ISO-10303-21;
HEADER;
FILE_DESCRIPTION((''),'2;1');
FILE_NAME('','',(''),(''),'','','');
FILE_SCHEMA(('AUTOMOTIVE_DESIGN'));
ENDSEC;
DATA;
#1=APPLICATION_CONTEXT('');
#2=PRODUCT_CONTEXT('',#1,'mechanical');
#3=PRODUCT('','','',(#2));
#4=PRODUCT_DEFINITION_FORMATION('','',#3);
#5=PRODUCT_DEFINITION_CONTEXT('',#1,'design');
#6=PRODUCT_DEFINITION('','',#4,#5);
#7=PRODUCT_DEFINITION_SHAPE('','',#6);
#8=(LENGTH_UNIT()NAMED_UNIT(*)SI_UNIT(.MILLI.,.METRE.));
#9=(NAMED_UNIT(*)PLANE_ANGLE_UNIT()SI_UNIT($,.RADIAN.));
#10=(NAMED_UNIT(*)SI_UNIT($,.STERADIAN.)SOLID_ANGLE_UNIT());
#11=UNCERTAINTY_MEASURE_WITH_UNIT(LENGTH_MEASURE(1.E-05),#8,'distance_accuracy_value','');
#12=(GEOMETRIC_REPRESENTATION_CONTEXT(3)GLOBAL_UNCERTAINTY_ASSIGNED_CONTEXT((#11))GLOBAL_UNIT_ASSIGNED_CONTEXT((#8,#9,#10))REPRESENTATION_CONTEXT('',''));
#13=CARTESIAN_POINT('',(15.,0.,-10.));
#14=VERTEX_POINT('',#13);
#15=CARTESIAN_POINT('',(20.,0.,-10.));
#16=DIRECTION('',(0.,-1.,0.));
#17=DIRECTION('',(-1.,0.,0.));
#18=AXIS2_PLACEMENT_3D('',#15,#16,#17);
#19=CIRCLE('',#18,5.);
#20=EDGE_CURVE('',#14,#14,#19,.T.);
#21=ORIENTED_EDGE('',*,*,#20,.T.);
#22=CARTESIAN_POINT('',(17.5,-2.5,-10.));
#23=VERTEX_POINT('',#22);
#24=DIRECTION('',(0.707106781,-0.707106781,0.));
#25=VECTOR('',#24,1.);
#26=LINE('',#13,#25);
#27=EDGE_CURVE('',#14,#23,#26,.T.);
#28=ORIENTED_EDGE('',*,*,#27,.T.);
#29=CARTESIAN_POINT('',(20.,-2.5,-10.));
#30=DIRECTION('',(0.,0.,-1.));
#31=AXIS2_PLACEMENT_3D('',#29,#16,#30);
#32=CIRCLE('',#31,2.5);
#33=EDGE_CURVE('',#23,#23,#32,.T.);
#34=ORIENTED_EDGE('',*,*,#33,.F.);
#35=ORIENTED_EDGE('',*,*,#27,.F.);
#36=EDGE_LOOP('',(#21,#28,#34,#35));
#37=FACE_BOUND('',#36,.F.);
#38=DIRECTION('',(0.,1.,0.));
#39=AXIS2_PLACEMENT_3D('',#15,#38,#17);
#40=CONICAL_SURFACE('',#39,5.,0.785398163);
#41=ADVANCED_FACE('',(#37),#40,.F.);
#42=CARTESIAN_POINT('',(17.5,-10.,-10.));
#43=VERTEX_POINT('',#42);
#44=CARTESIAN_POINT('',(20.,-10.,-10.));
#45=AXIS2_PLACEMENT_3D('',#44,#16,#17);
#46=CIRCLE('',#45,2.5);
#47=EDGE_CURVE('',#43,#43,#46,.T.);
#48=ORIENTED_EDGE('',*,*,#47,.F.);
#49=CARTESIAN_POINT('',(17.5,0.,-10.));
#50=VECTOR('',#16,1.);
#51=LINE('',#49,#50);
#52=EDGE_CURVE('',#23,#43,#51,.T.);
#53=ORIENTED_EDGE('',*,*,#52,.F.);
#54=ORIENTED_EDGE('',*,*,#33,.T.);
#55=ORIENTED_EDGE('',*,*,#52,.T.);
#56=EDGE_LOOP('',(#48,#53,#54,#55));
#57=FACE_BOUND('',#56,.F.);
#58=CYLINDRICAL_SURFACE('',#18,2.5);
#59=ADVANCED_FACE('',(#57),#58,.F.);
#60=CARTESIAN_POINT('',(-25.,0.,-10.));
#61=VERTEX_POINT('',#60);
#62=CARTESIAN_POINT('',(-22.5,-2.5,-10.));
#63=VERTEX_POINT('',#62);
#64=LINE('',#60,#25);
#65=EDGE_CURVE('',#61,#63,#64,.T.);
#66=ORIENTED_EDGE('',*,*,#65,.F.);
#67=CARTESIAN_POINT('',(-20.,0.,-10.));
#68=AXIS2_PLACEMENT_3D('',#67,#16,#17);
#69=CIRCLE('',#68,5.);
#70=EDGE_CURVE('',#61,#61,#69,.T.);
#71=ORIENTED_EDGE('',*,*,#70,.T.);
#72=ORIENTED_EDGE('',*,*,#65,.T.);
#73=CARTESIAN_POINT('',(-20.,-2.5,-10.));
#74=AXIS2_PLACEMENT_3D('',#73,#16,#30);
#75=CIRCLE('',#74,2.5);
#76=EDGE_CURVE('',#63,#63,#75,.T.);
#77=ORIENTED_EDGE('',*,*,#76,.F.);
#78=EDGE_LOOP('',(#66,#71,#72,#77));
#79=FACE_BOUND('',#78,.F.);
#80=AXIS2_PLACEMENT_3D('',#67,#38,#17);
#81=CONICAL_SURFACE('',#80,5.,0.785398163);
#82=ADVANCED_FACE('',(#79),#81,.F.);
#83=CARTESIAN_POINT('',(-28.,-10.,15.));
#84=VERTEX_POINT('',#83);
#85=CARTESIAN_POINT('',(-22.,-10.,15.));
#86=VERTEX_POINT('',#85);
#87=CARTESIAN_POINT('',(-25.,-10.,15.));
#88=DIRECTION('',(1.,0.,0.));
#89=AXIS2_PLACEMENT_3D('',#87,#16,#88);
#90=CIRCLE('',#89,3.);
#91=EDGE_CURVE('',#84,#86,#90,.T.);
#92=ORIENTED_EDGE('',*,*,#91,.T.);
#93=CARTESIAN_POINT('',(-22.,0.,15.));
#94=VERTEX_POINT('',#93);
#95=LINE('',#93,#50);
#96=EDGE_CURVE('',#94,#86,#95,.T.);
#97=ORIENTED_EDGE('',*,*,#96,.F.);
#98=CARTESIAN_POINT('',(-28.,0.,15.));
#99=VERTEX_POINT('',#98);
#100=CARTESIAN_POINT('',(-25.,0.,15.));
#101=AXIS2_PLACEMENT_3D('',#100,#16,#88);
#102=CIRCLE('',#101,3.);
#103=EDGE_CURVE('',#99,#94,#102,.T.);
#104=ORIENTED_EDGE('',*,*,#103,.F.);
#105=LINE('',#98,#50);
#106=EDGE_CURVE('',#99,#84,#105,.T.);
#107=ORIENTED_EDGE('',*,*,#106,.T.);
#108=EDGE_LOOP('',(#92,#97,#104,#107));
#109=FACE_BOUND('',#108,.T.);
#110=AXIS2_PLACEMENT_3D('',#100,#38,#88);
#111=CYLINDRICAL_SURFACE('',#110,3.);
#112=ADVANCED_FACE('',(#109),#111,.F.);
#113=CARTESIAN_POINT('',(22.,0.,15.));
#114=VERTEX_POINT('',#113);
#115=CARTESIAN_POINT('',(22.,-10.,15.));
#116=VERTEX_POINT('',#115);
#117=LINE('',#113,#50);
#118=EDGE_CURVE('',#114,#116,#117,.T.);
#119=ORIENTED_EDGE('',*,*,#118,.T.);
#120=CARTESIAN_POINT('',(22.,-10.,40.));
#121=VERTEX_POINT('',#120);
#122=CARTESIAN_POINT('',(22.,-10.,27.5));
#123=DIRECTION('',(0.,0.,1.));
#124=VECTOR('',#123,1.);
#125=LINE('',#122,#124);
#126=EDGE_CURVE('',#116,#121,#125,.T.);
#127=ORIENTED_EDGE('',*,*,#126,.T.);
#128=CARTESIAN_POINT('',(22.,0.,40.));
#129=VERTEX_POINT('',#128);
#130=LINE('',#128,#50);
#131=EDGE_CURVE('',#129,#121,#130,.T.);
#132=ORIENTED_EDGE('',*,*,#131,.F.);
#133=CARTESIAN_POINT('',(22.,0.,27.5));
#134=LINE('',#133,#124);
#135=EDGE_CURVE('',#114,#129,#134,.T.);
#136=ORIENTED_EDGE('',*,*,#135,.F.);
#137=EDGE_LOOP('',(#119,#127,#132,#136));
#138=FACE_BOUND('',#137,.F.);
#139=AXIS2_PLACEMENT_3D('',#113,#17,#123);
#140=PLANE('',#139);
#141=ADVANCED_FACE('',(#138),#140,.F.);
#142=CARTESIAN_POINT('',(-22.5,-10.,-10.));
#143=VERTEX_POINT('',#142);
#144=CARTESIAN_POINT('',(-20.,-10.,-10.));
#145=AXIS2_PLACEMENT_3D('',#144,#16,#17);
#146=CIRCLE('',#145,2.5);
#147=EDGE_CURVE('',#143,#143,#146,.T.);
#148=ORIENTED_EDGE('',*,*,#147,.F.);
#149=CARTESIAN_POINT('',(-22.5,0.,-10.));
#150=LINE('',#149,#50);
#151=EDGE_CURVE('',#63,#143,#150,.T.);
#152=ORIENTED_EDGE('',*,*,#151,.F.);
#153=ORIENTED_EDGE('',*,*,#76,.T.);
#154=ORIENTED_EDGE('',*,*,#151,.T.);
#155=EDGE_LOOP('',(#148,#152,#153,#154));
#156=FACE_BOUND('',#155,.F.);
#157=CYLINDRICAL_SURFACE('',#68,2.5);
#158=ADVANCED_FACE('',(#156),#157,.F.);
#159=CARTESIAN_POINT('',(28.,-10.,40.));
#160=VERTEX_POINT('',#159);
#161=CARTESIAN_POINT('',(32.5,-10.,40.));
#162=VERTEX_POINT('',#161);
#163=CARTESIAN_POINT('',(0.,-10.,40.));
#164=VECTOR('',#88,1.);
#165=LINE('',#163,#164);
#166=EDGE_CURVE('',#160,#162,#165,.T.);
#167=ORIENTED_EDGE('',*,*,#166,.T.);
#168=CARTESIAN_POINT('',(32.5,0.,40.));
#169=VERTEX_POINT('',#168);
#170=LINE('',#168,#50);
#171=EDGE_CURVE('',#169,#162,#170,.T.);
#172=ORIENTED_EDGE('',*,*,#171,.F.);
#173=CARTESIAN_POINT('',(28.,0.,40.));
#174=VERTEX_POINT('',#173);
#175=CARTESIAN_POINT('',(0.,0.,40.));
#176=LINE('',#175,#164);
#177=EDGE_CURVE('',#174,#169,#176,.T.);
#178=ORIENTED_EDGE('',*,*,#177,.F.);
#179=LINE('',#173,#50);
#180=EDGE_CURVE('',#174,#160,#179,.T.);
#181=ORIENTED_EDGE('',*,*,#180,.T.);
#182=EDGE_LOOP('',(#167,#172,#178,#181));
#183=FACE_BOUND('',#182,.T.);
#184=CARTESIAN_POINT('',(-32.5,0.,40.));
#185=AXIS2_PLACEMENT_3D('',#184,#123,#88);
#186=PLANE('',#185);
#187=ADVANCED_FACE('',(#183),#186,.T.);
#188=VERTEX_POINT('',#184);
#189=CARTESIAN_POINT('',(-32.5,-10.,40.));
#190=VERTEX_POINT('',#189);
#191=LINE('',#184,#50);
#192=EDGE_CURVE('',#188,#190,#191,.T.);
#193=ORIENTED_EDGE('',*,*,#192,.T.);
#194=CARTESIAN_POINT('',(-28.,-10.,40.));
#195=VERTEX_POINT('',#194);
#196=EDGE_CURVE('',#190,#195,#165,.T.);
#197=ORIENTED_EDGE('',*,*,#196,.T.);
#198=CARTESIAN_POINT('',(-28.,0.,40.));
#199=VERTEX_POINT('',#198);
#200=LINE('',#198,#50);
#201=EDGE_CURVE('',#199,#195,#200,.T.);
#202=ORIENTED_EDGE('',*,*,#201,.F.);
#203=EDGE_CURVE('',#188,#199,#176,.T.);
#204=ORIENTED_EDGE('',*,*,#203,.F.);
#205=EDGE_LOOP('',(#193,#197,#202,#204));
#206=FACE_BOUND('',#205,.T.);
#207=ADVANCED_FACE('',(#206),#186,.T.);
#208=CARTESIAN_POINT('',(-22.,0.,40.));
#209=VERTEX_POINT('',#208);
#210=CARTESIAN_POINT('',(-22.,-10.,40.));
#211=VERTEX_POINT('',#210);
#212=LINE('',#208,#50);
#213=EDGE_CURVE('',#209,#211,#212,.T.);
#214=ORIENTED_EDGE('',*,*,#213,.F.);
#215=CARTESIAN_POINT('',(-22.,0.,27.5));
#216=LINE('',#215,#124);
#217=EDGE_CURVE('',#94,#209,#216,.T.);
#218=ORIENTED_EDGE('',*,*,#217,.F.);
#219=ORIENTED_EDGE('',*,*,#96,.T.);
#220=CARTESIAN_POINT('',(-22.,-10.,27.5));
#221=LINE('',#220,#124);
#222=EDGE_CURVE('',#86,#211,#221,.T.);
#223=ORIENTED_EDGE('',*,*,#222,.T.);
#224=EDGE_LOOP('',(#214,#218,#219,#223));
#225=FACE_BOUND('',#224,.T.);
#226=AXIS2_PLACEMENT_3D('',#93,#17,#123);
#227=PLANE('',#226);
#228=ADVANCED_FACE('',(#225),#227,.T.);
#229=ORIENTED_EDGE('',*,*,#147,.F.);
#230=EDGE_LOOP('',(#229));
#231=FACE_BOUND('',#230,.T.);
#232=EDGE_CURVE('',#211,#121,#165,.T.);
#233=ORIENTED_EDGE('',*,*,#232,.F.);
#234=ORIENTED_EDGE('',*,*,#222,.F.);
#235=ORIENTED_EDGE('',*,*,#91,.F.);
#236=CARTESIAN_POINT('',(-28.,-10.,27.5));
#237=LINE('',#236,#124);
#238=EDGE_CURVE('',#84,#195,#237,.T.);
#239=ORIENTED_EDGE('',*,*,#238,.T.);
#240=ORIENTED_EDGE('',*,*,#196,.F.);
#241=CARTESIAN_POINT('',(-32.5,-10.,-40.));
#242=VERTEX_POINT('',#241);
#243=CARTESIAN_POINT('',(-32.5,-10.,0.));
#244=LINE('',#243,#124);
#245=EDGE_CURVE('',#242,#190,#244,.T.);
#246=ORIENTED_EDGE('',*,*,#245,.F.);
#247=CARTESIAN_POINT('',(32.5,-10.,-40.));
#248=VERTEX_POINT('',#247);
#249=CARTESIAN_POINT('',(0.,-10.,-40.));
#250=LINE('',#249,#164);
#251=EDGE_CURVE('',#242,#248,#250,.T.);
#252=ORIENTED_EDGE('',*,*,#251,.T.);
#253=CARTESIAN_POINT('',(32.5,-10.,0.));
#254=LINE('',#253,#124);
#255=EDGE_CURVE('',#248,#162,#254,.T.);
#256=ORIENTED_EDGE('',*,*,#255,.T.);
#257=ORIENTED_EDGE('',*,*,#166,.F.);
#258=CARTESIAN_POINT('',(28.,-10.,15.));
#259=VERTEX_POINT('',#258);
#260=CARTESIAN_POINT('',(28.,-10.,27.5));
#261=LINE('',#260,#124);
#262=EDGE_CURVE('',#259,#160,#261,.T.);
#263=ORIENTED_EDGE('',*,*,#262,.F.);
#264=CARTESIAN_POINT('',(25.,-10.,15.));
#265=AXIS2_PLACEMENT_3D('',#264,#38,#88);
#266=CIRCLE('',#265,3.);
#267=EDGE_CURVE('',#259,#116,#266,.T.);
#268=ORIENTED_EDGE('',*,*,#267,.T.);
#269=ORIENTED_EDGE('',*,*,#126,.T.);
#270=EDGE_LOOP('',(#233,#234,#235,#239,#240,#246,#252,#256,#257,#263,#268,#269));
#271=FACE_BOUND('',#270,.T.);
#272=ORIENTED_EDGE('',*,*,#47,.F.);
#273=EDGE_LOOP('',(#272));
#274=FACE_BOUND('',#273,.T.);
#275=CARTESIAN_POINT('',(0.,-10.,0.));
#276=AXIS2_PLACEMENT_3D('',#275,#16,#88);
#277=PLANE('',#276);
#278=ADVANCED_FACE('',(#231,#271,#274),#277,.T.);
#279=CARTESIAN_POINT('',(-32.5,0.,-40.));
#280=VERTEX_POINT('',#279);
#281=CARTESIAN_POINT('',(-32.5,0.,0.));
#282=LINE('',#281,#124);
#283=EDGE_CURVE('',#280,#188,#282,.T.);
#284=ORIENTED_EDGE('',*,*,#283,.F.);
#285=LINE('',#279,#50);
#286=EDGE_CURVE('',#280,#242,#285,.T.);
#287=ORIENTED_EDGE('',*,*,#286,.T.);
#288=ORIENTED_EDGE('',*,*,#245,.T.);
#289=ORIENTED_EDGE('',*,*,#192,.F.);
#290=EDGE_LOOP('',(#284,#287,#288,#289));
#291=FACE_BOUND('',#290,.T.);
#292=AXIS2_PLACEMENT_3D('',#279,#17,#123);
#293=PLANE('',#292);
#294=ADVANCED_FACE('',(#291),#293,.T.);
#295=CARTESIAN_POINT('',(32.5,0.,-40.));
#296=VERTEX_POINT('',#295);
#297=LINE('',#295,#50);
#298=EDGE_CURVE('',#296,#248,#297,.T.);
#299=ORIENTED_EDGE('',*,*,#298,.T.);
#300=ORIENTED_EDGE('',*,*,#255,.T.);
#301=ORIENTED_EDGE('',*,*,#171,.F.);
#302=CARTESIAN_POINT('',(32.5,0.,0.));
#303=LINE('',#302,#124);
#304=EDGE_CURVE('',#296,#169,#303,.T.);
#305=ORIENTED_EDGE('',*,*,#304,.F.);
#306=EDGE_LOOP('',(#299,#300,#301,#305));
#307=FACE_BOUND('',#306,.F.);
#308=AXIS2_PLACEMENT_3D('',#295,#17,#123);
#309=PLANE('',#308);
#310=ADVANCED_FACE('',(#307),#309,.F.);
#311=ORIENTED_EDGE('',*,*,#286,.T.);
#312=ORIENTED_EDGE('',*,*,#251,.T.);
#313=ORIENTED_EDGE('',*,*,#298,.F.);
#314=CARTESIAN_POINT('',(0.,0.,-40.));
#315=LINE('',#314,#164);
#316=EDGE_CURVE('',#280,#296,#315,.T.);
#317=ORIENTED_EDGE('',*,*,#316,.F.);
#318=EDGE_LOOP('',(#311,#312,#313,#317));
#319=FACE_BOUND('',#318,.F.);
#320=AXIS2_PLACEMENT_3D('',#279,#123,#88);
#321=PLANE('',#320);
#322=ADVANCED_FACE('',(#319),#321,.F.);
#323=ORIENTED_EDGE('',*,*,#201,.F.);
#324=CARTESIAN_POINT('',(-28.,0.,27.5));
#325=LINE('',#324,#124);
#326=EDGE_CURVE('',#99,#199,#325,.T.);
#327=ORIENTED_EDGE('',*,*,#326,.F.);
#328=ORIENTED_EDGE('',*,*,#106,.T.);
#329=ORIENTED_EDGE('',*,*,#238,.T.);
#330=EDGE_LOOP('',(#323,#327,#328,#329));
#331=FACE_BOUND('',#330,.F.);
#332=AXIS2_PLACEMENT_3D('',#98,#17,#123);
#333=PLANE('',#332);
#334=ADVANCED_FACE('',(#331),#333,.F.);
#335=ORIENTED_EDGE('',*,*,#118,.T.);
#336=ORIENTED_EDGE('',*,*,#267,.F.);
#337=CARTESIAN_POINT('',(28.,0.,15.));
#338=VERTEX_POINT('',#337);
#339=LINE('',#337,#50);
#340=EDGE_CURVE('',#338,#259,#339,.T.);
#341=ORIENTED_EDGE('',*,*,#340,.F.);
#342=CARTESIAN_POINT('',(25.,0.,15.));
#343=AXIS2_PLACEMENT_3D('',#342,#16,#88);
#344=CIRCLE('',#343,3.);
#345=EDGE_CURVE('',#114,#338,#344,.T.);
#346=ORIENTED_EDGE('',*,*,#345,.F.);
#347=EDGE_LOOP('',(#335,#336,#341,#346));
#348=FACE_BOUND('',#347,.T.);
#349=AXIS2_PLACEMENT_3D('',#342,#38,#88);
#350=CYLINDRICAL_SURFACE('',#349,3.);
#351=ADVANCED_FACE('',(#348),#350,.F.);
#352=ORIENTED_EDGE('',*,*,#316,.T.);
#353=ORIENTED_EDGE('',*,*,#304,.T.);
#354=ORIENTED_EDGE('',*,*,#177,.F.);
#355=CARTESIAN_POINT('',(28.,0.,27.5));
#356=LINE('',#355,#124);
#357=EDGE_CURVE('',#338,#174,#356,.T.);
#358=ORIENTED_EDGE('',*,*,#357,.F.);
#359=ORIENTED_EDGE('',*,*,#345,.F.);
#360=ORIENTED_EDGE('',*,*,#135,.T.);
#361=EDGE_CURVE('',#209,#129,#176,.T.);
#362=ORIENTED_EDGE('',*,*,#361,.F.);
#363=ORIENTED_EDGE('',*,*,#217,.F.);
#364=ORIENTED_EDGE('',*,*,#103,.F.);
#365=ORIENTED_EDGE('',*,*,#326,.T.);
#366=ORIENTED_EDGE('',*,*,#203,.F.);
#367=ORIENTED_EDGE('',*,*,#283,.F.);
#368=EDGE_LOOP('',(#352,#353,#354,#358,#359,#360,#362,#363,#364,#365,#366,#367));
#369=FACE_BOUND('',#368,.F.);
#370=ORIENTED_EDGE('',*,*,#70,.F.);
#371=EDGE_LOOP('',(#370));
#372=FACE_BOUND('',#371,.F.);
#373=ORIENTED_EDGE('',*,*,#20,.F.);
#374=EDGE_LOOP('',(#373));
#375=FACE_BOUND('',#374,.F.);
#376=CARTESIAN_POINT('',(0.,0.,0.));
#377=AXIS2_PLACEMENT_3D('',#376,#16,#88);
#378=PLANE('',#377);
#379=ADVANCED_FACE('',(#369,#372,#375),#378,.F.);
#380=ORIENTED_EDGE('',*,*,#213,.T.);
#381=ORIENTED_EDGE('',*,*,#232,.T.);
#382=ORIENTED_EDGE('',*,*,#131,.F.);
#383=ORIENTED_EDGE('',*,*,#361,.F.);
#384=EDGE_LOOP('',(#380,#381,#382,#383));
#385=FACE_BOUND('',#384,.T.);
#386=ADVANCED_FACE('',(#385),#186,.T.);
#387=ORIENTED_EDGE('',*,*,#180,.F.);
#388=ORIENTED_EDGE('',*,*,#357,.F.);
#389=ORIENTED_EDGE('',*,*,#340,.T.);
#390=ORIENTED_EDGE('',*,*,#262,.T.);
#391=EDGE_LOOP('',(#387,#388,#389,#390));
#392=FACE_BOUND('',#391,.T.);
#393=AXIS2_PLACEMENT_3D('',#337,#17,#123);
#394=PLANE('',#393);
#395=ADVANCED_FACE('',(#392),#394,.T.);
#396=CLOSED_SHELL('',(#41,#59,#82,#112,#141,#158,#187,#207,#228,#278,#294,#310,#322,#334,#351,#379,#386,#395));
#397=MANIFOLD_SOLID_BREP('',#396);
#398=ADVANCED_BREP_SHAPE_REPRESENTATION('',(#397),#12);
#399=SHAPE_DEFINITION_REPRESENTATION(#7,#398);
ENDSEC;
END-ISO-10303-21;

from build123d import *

# Parameters (mm, degrees)
F0_W           = 65
F0_H           = 80
F1_DEPTH       = 10
F3_D           = 5
F3_CSINK_D     = 10
F3_CSINK_ANGLE = 90
F5_W           = 6
F5_H           = 25
F4_R           = 3
F7_DEPTH       = 10
F6_W           = 6
F6_H           = 25
F8_DEPTH       = 10
F9_R           = 3
F10_DEPTH      = 25


with BuildPart() as f1:
    # F0 (on Front) → F1 (new body)
    with BuildSketch(Plane.XZ):
        Rectangle(F0_W, F0_H)
    extrude(amount=F1_DEPTH)

    # F3 (through all)
    with Locations(Plane(origin=(0, 0, 0), x_dir=(1, 0, 0), z_dir=(0, 1, 0))):
        with Locations((-20, 10), (20, 10)):
            CounterSinkHole(F3_D / 2, F3_CSINK_D / 2, counter_sink_angle=F3_CSINK_ANGLE)

    # F5 (on Front) + F4 (on Front) → F7 (cut)
    with BuildSketch(Plane.XZ):
        with Locations((-25, 27.5)):
            Rectangle(F5_W, F5_H)
    with BuildSketch(Plane.XZ):
        with Locations((-25, 15)):
            Circle(F4_R)
    extrude(amount=F7_DEPTH, mode=Mode.SUBTRACT)

    # F6 (on Front) → F8 (cut)
    with BuildSketch(Plane.XZ):
        with Locations((25, 27.5)):
            Rectangle(F6_W, F6_H)
    extrude(amount=F8_DEPTH, mode=Mode.SUBTRACT)

    # F9 (on Front) → F10 (cut)
    with BuildSketch(Plane.XZ):
        with Locations((25, 15)):
            Circle(F9_R)
    extrude(amount=F10_DEPTH, mode=Mode.SUBTRACT)


solid = f1.part
